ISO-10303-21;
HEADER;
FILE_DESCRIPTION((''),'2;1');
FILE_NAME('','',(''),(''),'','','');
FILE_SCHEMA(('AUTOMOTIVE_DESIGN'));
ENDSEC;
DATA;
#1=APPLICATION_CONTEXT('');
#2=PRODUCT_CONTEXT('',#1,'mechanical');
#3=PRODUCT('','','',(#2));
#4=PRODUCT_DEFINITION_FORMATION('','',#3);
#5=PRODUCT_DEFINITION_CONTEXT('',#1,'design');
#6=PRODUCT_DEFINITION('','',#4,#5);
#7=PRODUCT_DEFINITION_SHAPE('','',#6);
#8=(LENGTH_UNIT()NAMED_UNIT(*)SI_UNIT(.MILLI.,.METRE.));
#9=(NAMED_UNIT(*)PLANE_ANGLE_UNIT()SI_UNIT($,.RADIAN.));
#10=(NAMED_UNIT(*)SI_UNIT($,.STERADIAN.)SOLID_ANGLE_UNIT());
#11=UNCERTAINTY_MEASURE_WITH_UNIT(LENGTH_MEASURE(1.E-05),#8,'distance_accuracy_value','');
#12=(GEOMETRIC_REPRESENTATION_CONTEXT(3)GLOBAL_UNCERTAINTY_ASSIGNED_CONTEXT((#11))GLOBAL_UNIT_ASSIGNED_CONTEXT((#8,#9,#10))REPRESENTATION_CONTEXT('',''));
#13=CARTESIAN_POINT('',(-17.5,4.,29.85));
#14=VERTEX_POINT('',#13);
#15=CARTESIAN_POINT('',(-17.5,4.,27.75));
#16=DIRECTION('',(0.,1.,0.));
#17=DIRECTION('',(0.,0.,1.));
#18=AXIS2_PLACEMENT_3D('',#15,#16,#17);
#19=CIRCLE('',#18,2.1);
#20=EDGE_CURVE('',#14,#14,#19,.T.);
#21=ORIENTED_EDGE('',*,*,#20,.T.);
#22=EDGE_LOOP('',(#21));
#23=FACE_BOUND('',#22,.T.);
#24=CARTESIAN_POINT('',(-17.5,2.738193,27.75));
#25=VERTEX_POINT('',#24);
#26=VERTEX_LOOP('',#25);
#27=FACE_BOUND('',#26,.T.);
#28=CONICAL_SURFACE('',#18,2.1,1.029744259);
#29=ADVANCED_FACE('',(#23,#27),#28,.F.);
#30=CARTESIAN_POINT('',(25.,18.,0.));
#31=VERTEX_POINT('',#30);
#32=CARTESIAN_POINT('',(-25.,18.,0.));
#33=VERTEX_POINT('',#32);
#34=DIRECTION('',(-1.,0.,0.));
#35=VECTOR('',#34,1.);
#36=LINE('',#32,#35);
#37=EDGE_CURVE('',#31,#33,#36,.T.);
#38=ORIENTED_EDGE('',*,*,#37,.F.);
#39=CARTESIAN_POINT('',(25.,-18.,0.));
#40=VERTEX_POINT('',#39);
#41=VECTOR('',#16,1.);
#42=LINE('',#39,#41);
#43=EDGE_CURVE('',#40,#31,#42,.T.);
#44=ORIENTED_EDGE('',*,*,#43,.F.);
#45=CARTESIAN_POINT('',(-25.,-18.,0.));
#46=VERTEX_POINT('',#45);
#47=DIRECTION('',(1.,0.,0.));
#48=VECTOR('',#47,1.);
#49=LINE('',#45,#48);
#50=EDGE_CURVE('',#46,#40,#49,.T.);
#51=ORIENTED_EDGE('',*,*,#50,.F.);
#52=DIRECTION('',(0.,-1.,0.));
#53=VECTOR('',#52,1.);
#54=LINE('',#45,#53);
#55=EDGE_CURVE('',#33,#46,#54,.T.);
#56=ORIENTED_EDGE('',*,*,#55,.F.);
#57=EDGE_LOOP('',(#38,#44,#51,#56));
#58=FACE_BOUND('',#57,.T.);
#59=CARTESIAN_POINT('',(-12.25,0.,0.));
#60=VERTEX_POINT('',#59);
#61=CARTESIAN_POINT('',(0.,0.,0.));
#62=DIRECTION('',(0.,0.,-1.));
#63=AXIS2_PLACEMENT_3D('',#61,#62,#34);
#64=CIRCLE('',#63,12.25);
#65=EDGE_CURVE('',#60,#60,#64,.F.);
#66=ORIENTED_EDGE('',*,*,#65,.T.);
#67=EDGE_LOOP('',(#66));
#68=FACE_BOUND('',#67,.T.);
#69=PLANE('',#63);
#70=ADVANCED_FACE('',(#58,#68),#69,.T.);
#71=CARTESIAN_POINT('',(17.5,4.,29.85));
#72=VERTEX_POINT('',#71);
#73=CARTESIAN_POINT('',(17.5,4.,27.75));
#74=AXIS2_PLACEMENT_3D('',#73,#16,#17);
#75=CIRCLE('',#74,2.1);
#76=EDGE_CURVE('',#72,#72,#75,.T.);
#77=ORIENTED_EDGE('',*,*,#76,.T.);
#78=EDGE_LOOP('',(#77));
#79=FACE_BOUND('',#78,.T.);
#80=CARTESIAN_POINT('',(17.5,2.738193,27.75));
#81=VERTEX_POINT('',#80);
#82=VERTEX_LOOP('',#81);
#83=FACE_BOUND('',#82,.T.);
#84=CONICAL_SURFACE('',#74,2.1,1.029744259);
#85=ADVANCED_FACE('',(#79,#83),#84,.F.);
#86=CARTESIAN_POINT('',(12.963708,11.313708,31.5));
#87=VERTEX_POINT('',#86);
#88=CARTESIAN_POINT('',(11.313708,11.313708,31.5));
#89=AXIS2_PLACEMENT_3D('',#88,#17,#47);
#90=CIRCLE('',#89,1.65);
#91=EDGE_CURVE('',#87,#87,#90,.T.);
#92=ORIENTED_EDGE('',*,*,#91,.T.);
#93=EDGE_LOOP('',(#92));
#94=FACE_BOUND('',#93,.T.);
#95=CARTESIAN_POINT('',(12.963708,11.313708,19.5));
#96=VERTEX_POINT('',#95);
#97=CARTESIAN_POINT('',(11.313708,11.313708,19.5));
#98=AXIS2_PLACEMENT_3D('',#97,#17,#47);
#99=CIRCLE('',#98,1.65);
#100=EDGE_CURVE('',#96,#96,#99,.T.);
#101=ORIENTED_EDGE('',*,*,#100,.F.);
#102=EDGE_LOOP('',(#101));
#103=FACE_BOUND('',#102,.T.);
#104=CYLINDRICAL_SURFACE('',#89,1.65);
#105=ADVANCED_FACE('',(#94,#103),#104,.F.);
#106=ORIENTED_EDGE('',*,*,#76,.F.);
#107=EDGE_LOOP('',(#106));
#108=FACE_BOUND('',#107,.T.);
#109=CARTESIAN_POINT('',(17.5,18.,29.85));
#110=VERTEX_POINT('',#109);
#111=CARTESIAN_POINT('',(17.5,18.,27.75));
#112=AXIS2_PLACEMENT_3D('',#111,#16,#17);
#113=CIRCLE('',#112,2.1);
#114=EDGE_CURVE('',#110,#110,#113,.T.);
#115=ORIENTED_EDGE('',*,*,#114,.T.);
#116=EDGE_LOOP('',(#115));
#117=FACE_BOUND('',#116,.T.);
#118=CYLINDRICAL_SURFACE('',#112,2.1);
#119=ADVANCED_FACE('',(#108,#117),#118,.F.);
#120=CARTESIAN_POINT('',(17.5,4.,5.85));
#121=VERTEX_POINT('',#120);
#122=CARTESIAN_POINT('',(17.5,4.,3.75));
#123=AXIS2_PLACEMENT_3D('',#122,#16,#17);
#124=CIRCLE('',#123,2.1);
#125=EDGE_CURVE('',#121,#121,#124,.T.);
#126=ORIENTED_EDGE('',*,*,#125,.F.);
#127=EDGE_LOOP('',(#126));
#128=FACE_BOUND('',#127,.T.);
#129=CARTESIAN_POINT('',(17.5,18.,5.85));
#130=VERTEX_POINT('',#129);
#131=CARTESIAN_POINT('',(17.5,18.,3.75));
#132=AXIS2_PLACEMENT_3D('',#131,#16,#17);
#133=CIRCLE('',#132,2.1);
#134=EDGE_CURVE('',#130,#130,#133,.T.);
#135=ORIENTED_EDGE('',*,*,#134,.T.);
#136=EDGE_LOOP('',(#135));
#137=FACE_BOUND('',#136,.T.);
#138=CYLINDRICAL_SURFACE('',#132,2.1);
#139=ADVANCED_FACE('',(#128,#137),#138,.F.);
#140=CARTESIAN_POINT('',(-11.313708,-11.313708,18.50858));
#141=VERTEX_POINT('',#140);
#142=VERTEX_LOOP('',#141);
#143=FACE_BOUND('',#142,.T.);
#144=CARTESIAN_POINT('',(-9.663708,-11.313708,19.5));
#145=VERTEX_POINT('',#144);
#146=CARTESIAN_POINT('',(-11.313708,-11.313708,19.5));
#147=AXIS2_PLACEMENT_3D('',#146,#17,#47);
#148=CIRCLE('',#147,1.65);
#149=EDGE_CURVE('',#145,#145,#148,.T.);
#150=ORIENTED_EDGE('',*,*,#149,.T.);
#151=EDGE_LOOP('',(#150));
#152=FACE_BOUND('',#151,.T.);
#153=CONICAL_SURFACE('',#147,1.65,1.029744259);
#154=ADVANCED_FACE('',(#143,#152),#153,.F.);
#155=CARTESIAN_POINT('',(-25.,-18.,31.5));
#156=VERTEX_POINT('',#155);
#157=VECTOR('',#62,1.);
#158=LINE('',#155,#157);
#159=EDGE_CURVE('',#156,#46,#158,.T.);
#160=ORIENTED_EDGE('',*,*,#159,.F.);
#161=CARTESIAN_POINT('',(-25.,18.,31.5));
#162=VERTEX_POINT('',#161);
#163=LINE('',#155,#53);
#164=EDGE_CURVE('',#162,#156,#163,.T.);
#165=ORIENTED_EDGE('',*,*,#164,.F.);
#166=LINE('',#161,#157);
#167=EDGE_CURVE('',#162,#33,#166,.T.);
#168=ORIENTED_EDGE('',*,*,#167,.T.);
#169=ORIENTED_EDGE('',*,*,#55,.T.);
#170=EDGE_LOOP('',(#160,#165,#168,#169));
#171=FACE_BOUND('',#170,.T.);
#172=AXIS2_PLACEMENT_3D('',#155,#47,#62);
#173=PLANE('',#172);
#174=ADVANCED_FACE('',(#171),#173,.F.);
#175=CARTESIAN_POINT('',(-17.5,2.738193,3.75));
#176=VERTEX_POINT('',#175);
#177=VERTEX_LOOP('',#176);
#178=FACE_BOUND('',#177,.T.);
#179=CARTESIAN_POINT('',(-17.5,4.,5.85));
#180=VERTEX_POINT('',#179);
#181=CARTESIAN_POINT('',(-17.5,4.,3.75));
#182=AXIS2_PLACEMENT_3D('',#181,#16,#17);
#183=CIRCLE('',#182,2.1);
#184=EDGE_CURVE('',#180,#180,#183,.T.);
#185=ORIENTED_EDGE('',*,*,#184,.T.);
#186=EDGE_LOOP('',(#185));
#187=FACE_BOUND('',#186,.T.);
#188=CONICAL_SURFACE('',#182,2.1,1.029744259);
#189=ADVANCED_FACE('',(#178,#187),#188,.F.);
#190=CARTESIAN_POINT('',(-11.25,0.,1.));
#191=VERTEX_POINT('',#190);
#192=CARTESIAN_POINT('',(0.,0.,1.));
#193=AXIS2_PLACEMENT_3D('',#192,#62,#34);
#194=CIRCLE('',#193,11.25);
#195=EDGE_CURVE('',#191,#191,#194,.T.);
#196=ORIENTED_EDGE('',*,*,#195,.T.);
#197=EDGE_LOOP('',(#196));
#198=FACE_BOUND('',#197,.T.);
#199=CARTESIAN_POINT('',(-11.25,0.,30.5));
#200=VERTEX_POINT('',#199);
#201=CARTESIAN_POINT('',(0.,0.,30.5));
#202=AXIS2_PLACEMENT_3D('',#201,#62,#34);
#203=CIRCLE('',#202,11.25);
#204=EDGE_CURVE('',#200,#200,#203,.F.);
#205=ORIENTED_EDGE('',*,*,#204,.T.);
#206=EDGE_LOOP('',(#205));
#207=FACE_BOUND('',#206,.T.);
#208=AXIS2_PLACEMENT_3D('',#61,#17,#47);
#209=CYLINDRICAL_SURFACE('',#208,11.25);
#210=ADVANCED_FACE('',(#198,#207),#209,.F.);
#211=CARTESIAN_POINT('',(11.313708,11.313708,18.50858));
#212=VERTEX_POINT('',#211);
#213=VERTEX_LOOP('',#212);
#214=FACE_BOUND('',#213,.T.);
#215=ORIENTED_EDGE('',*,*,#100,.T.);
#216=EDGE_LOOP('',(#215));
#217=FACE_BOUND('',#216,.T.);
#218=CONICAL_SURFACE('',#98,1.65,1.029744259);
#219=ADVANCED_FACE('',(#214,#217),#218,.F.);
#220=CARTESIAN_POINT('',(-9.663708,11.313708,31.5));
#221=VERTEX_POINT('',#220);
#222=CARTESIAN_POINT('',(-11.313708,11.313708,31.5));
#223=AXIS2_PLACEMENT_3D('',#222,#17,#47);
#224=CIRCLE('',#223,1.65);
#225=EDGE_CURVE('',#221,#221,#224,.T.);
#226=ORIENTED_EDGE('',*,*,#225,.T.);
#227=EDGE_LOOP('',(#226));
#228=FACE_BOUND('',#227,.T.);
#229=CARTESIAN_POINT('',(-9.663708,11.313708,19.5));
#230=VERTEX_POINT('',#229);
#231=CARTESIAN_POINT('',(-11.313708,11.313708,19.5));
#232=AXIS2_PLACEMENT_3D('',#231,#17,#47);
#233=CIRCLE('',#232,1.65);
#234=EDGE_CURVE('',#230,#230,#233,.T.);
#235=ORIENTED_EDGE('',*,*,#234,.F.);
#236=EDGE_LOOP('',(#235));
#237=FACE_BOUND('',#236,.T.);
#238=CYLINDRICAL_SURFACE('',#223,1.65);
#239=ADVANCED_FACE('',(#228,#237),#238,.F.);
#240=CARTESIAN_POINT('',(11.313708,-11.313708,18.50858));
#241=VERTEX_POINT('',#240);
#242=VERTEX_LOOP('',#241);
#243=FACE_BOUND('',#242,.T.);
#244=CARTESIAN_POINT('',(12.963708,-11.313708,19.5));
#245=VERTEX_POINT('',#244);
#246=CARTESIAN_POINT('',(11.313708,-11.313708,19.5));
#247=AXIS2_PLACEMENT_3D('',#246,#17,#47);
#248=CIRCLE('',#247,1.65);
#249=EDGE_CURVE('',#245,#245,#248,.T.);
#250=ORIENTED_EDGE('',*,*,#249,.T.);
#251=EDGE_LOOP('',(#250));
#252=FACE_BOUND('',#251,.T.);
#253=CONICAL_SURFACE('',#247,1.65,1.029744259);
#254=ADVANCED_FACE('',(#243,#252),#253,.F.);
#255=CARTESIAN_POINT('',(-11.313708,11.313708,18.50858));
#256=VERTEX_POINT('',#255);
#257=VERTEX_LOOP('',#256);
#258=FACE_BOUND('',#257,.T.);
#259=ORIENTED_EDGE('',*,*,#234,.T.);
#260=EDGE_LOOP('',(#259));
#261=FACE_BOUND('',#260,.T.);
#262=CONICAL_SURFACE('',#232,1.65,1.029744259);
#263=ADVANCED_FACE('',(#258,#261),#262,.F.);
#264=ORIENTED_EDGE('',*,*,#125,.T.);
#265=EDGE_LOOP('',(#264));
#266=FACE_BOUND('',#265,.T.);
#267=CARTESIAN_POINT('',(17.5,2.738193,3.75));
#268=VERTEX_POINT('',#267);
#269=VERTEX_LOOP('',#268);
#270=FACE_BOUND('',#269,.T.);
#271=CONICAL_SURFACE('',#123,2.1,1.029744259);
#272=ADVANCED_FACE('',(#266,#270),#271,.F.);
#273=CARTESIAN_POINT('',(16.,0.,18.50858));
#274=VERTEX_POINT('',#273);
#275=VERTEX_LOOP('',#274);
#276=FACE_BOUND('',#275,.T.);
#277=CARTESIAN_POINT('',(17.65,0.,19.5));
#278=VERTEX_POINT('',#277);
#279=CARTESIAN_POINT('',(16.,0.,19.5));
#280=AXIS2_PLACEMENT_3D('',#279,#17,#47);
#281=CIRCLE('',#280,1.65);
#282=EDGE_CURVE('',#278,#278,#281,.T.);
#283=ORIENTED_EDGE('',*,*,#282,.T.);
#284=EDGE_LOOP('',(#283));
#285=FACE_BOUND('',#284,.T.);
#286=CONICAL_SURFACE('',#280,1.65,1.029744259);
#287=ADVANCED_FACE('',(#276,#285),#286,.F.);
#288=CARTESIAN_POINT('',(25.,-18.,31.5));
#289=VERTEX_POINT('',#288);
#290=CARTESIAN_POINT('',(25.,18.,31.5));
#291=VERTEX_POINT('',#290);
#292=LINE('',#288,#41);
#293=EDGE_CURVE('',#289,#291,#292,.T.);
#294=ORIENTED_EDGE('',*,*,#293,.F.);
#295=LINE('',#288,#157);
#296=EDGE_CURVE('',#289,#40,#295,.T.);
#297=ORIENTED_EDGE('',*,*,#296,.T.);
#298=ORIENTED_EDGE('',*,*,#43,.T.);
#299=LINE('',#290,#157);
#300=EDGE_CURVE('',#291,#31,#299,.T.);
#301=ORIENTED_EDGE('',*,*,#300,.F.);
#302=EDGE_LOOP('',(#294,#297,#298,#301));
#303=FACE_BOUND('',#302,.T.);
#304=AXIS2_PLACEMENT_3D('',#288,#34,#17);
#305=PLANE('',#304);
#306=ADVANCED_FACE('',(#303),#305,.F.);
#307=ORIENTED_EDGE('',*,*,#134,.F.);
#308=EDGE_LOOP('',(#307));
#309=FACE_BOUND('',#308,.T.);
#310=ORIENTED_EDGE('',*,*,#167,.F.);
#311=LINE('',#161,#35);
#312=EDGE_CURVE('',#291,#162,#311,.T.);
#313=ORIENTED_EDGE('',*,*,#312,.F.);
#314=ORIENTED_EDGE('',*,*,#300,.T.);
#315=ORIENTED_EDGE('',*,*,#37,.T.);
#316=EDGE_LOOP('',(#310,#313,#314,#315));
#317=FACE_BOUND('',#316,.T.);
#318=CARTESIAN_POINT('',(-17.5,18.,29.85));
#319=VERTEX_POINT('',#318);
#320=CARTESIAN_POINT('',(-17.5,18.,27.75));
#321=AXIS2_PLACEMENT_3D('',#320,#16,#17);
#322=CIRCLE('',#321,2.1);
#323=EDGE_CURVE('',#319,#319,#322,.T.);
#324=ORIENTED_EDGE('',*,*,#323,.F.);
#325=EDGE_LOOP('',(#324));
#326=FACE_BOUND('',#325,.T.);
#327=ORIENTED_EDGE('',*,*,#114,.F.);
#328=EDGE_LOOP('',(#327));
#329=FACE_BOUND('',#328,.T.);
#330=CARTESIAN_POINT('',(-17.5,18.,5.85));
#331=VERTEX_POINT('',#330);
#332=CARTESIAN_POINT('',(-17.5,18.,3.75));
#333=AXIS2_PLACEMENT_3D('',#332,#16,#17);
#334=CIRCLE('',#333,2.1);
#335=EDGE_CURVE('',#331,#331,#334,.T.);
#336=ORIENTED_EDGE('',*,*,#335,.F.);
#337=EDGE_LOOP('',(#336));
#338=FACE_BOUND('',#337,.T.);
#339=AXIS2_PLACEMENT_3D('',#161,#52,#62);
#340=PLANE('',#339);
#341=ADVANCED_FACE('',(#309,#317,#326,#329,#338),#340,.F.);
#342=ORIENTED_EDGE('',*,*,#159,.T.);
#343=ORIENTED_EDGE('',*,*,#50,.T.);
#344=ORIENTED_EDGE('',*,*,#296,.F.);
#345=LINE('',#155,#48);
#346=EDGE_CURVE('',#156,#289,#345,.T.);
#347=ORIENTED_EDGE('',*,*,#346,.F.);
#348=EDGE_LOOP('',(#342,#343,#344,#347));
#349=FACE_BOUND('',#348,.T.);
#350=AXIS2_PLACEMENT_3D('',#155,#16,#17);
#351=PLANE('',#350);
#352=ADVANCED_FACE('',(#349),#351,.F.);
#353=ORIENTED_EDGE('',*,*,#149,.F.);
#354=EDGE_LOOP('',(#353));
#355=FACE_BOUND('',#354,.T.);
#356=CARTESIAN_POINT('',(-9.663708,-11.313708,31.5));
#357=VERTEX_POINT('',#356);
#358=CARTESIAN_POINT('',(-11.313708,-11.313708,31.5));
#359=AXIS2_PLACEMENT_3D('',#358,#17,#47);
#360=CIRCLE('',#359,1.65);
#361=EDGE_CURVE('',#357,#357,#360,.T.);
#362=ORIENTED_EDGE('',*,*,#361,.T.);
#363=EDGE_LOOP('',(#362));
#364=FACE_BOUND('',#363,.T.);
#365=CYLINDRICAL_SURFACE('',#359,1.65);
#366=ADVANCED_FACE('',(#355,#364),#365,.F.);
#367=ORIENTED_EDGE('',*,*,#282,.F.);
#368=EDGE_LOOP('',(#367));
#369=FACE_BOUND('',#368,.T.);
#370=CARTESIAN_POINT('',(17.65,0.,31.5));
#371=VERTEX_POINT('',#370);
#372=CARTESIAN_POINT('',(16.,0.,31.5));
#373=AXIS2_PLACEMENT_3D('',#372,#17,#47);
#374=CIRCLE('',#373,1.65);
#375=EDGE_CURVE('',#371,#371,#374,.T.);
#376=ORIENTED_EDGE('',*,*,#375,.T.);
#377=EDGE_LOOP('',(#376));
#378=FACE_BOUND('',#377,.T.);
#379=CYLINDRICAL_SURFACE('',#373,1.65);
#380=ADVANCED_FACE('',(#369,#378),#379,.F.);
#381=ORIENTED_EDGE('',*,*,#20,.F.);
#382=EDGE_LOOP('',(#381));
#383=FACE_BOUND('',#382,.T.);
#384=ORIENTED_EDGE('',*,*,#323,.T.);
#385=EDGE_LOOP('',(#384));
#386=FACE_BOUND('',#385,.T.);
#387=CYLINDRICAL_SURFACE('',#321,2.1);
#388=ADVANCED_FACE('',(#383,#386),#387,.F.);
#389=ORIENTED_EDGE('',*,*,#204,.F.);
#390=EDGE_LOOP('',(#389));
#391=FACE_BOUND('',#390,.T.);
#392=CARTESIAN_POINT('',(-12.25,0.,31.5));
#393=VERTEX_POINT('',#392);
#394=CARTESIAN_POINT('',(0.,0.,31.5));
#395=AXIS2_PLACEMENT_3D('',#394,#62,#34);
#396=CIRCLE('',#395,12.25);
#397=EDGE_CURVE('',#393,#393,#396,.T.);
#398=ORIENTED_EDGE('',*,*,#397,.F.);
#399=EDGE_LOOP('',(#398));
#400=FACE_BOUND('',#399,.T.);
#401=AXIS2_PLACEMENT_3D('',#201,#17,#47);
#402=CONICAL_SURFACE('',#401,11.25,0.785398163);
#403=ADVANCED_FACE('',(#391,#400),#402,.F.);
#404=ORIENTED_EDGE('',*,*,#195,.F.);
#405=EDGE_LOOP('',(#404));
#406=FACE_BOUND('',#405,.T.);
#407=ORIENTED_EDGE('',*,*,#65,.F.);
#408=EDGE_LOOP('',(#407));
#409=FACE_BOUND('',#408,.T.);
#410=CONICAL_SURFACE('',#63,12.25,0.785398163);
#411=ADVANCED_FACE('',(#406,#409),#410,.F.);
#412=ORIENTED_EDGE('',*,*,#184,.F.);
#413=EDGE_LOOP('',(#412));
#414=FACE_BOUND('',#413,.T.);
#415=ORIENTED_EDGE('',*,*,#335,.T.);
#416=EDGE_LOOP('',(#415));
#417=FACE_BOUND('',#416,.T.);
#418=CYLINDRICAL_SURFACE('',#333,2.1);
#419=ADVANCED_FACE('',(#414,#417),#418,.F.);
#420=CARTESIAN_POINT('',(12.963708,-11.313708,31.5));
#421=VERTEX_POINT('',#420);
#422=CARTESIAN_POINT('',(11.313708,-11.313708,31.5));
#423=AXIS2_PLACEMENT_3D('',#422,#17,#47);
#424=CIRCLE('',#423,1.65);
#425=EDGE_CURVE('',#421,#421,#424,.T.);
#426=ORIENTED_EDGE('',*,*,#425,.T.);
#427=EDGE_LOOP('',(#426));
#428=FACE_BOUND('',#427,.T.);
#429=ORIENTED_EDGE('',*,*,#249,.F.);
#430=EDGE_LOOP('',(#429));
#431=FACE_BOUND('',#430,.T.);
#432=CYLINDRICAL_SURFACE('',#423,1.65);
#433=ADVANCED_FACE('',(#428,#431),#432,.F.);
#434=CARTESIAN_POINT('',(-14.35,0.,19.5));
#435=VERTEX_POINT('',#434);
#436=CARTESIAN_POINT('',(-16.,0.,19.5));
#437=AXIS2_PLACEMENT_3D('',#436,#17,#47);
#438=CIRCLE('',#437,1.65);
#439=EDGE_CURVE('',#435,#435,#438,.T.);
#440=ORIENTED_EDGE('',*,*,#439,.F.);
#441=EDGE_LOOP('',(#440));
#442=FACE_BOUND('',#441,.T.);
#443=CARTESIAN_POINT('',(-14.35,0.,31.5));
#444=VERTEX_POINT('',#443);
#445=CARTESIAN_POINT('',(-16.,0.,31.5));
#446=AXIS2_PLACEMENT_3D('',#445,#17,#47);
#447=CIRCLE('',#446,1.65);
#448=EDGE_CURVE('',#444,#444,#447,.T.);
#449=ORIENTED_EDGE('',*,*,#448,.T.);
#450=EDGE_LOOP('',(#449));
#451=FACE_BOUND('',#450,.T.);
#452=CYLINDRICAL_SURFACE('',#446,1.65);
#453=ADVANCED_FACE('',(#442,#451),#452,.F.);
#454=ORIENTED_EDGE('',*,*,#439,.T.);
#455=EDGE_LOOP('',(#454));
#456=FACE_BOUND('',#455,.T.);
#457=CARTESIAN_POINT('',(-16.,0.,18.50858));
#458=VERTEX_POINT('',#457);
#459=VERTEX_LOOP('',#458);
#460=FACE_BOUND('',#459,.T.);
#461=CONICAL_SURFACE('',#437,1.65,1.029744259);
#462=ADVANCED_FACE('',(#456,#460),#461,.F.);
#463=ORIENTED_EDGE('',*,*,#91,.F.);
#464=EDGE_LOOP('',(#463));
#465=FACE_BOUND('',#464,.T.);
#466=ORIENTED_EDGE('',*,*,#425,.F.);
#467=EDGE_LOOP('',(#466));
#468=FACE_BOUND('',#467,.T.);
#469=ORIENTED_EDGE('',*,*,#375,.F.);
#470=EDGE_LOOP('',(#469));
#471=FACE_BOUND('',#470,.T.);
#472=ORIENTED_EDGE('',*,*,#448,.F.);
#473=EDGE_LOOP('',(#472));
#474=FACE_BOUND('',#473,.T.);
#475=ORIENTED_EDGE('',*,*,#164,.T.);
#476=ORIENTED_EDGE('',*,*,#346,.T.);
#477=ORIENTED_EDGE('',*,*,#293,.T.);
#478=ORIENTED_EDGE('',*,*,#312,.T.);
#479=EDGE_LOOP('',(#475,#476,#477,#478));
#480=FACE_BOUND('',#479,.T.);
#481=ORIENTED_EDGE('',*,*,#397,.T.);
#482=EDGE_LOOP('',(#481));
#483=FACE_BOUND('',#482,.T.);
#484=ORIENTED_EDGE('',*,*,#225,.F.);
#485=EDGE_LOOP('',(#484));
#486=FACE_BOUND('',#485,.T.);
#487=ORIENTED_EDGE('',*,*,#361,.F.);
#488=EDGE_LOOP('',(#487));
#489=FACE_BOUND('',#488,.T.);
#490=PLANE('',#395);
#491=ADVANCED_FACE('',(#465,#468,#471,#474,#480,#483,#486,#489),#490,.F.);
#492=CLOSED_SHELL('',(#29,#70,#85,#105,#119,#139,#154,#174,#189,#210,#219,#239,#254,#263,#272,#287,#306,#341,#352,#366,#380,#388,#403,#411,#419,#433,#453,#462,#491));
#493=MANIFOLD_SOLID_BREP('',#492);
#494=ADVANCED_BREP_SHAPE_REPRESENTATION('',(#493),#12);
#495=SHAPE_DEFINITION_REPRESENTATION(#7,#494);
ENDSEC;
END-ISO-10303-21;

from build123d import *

# Parameters (mm, degrees)
ESQUISSE1_W               = 50
ESQUISSE1_H               = 36
BOSS_EXTRU_1_DEPTH        = 31.5
ESQUISSE2_R               = 11.25
ENL_V_MAT_EXTRU_1_DEPTH   = 31.5
TROU_TARAUD_M4X0_71_D     = 3.3
TROU_TARAUD_M4X0_71_DEPTH = 12
TROU_TARAUD_M4X0_71_TIP   = 0.991420021
TROU_TARAUD_M5X0_81_D     = 4.2
TROU_TARAUD_M5X0_81_DEPTH = 14
TROU_TARAUD_M5X0_81_TIP   = 1.2618073
CHANFREIN1_SIZE           = 1


with BuildPart() as part:
    # Esquisse1 → Boss.-Extru.1 (new body)
    with BuildSketch(Plane.XY):
        Rectangle(ESQUISSE1_W, ESQUISSE1_H)
    extrude(amount=BOSS_EXTRU_1_DEPTH)

    # Esquisse2 → Enlèv. mat.-Extru.1 (cut)
    with BuildSketch(Plane.XY.offset(31.5)):
        Circle(ESQUISSE2_R)
    extrude(amount=-ENL_V_MAT_EXTRU_1_DEPTH, mode=Mode.SUBTRACT)

    # Trou taraudé M4x0.71
    with Locations(Plane.XY.offset(31.5)):
        with Locations((-11.313708499, 11.313708499), (-16, 0), (-11.313708499, -11.313708499), (11.313708499, -11.313708499), (16, 0), (11.313708499, 11.313708499)):
            Hole(TROU_TARAUD_M4X0_71_D / 2, depth=TROU_TARAUD_M4X0_71_DEPTH)
            with Locations((0, 0, -(TROU_TARAUD_M4X0_71_DEPTH + TROU_TARAUD_M4X0_71_TIP / 2))):  # 118° drill point
                Cone(0, TROU_TARAUD_M4X0_71_D / 2, TROU_TARAUD_M4X0_71_TIP, mode=Mode.SUBTRACT)

    # Trou taraudé M5x0.81
    with Locations(Plane(origin=(0, 18, 0), x_dir=(1, 0, 0), z_dir=(0, 1, 0))):
        with Locations((-17.5, -27.75), (-17.5, -3.75), (17.5, -3.75), (17.5, -27.75)):
            Hole(TROU_TARAUD_M5X0_81_D / 2, depth=TROU_TARAUD_M5X0_81_DEPTH)
            with Locations((0, 0, -(TROU_TARAUD_M5X0_81_DEPTH + TROU_TARAUD_M5X0_81_TIP / 2))):  # 118° drill point
                Cone(0, TROU_TARAUD_M5X0_81_D / 2, TROU_TARAUD_M5X0_81_TIP, mode=Mode.SUBTRACT)

    # Chanfrein1
    chanfrein1_edges = [part.edges().sort_by_distance(p)[0] for p in [
        (-11.25, 0, 0),
        (-11.25, 0, 31.5),
    ]]
    chamfer(chanfrein1_edges, length=CHANFREIN1_SIZE)


solid = part.part
